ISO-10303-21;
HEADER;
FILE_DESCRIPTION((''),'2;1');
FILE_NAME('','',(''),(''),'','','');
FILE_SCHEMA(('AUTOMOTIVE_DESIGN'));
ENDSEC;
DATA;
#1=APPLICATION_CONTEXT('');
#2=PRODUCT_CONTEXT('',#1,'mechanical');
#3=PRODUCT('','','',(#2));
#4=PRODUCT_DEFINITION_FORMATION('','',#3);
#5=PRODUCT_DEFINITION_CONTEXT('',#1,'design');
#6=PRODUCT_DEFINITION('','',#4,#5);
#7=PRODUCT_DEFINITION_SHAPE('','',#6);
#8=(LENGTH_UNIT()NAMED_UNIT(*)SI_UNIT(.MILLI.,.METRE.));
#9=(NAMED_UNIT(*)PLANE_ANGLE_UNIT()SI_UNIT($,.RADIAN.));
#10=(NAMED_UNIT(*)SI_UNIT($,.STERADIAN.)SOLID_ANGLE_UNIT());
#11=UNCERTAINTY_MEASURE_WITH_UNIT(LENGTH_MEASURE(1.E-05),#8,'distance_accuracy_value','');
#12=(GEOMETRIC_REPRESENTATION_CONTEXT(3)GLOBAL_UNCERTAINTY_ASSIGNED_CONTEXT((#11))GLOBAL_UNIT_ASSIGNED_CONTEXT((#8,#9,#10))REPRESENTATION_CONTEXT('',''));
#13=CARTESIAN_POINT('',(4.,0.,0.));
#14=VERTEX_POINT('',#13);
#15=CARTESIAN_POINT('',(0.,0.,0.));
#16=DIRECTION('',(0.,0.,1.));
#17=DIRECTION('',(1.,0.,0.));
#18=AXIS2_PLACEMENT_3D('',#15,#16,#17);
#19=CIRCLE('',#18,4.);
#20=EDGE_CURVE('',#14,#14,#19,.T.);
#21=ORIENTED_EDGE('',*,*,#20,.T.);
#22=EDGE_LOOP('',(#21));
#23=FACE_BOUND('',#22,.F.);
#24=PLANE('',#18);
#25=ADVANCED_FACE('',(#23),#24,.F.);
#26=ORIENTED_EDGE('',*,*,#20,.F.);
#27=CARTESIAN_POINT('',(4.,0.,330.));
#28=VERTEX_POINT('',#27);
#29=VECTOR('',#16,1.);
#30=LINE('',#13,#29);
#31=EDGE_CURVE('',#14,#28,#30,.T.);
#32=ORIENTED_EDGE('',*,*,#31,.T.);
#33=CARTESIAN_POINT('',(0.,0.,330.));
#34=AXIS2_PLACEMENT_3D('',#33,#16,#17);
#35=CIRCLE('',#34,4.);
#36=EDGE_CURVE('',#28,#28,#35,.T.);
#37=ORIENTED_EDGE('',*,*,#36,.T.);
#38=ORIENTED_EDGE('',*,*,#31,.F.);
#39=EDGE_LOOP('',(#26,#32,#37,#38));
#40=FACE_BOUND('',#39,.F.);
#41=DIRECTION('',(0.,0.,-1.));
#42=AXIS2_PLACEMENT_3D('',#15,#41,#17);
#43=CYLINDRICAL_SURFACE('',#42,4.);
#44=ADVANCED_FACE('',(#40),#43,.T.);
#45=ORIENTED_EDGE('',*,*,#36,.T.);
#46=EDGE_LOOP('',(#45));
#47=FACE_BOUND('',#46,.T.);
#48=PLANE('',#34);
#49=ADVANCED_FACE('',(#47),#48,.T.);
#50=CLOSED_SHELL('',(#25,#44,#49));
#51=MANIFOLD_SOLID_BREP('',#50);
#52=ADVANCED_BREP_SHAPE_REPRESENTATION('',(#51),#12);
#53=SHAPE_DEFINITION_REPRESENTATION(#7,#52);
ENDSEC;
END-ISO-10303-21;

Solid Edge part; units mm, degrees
sketch "Sketch1" plane through (0, 0, 0) normal (0, 0, 1) x (1, 0, 0)
  circle A0 centre (0, 0) radius 4
extrude "Protrusion1" add sketch "Sketch1" along normal blind 330
